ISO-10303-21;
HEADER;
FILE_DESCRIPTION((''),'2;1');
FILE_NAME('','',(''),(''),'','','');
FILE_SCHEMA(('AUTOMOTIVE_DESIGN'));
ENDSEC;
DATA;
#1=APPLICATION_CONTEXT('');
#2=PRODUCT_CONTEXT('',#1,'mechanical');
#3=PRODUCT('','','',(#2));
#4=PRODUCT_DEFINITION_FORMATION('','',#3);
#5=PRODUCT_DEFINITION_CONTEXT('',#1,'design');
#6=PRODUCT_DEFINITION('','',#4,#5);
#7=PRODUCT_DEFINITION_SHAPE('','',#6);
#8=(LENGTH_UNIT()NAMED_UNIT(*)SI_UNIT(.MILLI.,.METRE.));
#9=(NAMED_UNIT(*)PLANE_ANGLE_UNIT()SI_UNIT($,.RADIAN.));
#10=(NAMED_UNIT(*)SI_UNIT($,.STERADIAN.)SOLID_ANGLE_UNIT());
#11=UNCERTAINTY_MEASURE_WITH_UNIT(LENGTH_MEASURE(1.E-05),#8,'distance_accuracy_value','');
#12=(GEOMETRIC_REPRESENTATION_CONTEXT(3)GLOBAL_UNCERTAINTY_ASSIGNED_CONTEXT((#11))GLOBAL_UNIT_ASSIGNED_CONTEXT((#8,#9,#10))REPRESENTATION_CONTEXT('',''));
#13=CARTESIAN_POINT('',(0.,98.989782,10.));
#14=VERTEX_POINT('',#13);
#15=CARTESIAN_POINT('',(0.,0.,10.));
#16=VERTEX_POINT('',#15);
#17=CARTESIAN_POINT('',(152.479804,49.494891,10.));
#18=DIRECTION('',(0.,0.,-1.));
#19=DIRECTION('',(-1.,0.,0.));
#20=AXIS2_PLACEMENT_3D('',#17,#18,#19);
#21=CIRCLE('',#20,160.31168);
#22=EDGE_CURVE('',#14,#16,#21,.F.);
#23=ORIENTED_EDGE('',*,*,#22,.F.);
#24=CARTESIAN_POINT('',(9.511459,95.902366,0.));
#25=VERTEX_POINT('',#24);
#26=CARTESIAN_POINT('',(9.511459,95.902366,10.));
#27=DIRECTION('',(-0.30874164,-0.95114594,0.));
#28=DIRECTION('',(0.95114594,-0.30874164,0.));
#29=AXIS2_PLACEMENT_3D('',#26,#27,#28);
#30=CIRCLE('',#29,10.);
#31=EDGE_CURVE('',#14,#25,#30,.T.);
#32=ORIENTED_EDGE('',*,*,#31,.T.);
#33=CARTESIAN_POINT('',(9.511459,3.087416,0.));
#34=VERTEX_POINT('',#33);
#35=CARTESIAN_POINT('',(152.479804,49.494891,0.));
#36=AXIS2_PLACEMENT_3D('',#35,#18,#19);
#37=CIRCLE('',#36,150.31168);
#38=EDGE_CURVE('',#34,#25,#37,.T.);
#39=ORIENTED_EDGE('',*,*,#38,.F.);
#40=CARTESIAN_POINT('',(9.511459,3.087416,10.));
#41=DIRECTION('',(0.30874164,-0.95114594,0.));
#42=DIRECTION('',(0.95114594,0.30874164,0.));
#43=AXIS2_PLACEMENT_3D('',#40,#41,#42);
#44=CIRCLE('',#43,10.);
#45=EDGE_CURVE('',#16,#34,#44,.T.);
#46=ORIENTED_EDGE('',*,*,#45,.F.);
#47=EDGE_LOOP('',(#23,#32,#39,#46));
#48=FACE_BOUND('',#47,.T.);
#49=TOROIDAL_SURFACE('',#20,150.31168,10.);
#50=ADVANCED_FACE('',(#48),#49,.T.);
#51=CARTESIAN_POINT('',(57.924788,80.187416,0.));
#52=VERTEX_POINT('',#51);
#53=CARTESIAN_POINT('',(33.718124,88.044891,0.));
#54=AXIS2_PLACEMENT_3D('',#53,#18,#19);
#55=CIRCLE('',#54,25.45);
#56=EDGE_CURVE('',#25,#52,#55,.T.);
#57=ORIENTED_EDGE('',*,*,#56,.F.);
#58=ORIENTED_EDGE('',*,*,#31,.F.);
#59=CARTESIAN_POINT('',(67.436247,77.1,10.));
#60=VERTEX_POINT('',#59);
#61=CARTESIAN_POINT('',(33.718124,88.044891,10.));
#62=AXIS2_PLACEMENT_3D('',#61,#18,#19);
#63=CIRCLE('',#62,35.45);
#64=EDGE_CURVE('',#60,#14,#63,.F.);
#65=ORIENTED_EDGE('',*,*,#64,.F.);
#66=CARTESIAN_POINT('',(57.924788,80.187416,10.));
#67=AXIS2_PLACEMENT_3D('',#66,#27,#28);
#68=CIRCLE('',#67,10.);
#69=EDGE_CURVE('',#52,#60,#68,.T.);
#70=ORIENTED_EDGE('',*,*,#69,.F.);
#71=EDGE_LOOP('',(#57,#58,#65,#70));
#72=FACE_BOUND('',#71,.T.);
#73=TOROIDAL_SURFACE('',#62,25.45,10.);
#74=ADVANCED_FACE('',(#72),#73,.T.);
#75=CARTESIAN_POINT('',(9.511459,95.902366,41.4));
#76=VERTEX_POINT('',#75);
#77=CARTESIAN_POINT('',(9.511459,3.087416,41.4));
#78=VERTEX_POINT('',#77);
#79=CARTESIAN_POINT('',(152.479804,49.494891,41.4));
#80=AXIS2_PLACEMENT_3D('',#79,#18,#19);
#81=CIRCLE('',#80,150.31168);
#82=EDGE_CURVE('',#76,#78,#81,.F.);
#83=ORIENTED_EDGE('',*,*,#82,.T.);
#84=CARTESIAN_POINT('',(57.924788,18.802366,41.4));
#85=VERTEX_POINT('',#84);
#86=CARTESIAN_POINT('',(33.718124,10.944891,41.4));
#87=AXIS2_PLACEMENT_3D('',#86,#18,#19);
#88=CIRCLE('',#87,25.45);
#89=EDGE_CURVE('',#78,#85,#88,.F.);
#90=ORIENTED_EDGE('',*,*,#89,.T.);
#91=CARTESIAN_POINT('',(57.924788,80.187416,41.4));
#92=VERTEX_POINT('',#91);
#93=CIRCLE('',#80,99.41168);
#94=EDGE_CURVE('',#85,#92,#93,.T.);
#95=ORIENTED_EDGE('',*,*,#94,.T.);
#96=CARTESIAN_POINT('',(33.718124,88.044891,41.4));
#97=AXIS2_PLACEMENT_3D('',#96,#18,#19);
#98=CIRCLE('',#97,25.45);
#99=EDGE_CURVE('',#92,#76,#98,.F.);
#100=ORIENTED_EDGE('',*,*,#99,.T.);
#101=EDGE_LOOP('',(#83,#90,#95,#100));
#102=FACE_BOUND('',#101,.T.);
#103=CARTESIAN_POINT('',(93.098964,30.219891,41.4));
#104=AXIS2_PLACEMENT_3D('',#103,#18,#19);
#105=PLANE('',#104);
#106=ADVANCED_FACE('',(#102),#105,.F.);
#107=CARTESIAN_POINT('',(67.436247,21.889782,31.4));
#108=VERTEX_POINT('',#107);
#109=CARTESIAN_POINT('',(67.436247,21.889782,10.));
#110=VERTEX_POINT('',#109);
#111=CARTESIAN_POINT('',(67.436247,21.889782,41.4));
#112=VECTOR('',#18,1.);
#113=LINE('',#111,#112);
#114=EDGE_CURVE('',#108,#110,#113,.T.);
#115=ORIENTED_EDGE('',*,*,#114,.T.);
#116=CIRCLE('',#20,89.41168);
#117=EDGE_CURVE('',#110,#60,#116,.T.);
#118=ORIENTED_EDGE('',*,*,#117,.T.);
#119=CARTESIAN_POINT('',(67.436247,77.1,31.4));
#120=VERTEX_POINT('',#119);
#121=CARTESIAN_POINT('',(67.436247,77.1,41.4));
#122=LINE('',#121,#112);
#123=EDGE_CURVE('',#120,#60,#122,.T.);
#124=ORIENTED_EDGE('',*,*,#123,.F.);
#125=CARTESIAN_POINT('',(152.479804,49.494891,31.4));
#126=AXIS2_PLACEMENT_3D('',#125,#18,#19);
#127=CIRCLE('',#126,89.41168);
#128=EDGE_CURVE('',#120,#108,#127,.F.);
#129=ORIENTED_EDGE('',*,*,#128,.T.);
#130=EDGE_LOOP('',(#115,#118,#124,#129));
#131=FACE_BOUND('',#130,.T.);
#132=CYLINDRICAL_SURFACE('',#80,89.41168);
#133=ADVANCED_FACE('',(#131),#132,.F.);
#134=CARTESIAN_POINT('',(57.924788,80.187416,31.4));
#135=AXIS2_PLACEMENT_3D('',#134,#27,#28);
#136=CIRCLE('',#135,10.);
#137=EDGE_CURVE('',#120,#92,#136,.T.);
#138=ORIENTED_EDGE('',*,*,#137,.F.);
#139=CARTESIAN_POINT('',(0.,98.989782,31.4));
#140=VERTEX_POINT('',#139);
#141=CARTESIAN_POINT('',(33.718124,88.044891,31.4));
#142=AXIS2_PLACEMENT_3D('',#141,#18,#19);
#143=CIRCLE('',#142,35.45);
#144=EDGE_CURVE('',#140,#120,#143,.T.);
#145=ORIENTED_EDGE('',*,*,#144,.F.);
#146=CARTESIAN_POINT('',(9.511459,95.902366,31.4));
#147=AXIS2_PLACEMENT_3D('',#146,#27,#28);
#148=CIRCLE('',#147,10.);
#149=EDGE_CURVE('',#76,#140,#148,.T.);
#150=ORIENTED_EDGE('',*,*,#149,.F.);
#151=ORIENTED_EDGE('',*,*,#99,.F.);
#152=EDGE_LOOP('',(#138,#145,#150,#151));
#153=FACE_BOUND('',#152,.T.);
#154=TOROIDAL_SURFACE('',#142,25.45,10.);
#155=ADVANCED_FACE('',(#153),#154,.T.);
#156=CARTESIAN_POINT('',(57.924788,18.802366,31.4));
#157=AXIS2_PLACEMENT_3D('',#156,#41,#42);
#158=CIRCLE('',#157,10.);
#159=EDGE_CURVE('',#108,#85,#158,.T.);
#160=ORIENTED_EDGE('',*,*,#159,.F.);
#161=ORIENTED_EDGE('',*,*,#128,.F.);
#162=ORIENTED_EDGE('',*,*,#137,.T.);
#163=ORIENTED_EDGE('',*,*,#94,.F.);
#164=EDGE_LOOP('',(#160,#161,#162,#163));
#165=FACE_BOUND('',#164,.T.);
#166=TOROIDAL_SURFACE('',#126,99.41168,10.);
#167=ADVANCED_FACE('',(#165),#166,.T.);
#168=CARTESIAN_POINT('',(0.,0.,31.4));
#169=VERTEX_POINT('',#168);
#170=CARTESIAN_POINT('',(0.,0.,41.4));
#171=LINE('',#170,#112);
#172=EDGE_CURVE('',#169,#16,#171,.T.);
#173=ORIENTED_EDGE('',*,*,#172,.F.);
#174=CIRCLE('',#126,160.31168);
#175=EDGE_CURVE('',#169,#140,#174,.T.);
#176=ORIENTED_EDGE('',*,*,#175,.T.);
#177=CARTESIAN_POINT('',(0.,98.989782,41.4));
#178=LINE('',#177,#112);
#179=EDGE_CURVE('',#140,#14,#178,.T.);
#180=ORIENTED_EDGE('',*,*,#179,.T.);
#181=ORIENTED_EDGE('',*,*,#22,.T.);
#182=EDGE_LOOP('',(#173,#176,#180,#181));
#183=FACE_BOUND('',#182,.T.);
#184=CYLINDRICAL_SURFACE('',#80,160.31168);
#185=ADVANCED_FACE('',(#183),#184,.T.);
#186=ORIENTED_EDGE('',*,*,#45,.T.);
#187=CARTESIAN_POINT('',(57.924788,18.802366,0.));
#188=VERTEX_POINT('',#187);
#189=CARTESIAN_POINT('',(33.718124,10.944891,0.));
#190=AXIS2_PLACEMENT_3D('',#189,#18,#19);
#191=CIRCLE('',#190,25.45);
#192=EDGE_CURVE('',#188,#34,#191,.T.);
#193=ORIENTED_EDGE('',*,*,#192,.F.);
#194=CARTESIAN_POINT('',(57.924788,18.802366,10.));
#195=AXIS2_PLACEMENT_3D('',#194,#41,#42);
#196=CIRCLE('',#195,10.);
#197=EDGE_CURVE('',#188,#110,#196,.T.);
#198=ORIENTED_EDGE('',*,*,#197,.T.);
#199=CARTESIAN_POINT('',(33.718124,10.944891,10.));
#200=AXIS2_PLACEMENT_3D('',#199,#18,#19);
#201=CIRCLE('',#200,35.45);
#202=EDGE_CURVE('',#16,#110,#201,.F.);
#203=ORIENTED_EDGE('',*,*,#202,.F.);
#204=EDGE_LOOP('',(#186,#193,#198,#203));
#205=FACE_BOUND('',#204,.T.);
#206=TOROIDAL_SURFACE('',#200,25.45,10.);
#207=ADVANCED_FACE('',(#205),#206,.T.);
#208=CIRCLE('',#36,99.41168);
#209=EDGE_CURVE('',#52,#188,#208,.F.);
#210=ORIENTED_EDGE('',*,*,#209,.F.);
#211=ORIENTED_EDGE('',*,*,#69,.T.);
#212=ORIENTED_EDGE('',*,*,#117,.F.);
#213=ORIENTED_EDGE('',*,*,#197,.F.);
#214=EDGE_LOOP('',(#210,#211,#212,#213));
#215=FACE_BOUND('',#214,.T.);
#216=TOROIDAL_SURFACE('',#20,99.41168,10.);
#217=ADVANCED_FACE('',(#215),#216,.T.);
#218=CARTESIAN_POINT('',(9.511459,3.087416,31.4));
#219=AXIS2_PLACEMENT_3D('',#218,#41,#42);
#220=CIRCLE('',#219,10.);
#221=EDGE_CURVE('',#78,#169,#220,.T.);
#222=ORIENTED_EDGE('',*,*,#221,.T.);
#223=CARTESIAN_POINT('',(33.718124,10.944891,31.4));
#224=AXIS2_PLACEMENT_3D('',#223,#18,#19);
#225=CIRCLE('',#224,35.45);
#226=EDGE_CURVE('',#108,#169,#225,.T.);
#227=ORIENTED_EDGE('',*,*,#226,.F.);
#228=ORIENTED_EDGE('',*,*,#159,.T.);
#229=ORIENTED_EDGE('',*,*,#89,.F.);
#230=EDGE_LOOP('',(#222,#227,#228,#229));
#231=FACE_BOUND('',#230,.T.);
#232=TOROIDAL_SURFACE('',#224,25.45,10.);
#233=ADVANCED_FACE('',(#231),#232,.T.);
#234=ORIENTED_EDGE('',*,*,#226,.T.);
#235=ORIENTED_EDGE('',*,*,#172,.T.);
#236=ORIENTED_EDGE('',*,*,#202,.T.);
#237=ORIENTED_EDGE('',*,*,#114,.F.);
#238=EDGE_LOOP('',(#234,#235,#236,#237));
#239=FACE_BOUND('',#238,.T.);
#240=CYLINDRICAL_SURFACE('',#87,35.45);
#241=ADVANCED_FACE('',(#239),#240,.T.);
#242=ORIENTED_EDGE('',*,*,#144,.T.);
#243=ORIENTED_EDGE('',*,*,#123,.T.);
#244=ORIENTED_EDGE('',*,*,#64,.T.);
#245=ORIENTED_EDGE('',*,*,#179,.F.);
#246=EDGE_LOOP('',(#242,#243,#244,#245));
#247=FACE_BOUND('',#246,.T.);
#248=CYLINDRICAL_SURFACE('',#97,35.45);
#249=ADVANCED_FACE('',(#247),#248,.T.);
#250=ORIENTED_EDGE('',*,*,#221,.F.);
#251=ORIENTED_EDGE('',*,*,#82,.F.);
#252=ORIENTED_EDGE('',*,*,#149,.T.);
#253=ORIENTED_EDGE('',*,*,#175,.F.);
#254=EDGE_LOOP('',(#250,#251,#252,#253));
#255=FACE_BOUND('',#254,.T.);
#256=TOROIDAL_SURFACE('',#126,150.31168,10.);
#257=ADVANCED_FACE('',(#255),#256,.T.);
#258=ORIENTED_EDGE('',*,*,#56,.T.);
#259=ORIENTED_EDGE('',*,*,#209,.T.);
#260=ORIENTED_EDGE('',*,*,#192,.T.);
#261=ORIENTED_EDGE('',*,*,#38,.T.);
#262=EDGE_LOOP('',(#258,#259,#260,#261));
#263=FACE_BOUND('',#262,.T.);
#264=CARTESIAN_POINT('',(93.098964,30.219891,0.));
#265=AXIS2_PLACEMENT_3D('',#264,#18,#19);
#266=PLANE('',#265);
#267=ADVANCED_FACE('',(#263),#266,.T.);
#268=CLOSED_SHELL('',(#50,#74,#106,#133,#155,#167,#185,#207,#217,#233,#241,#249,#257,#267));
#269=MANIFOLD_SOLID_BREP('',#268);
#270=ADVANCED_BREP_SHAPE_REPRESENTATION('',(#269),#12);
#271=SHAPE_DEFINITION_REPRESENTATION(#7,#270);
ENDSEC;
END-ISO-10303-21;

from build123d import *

# Parameters (mm, degrees)
BOSS_EXTRUDE1_DEPTH = 41.4
FILLET1_R           = 10


with BuildPart() as part:
    # Sketch1 → Boss-Extrude1 (new body)
    with BuildSketch(Plane(origin=(0, 0, 0), x_dir=(0, 1, 0), z_dir=(0, 0, 1))):
        with BuildLine():
            ThreePointArc((0, 0), (49.49489115, 7.831876421), (98.9897823, 0))
            ThreePointArc((98.9897823, 0), (121.763014729, -44.663014729), (77.1, -67.436247159))
            ThreePointArc((77.1, -67.436247159), (49.49489115, -63.068123579), (21.8897823, -67.436247159))
            ThreePointArc((21.8897823, -67.436247159), (-22.773232429, -44.663014729), (0, 0))
        make_face()
    extrude(amount=BOSS_EXTRUDE1_DEPTH)

    # Fillet1
    fillet1_edges = [part.edges().sort_by_distance(p)[0] for p in [
        (44.663014729, 121.763014729, 41.4),
        (-7.831876421, 49.49489115, 41.4),
        (44.663014729, -22.773232429, 41.4),
        (-7.831876421, 49.49489115, 0),
        (44.663014729, 121.763014729, 0),
        (63.068123579, 49.49489115, 0),
        (44.663014729, -22.773232429, 0),
        (63.068123579, 49.49489115, 41.4),
    ]]
    fillet(fillet1_edges, radius=FILLET1_R)


solid = part.part
